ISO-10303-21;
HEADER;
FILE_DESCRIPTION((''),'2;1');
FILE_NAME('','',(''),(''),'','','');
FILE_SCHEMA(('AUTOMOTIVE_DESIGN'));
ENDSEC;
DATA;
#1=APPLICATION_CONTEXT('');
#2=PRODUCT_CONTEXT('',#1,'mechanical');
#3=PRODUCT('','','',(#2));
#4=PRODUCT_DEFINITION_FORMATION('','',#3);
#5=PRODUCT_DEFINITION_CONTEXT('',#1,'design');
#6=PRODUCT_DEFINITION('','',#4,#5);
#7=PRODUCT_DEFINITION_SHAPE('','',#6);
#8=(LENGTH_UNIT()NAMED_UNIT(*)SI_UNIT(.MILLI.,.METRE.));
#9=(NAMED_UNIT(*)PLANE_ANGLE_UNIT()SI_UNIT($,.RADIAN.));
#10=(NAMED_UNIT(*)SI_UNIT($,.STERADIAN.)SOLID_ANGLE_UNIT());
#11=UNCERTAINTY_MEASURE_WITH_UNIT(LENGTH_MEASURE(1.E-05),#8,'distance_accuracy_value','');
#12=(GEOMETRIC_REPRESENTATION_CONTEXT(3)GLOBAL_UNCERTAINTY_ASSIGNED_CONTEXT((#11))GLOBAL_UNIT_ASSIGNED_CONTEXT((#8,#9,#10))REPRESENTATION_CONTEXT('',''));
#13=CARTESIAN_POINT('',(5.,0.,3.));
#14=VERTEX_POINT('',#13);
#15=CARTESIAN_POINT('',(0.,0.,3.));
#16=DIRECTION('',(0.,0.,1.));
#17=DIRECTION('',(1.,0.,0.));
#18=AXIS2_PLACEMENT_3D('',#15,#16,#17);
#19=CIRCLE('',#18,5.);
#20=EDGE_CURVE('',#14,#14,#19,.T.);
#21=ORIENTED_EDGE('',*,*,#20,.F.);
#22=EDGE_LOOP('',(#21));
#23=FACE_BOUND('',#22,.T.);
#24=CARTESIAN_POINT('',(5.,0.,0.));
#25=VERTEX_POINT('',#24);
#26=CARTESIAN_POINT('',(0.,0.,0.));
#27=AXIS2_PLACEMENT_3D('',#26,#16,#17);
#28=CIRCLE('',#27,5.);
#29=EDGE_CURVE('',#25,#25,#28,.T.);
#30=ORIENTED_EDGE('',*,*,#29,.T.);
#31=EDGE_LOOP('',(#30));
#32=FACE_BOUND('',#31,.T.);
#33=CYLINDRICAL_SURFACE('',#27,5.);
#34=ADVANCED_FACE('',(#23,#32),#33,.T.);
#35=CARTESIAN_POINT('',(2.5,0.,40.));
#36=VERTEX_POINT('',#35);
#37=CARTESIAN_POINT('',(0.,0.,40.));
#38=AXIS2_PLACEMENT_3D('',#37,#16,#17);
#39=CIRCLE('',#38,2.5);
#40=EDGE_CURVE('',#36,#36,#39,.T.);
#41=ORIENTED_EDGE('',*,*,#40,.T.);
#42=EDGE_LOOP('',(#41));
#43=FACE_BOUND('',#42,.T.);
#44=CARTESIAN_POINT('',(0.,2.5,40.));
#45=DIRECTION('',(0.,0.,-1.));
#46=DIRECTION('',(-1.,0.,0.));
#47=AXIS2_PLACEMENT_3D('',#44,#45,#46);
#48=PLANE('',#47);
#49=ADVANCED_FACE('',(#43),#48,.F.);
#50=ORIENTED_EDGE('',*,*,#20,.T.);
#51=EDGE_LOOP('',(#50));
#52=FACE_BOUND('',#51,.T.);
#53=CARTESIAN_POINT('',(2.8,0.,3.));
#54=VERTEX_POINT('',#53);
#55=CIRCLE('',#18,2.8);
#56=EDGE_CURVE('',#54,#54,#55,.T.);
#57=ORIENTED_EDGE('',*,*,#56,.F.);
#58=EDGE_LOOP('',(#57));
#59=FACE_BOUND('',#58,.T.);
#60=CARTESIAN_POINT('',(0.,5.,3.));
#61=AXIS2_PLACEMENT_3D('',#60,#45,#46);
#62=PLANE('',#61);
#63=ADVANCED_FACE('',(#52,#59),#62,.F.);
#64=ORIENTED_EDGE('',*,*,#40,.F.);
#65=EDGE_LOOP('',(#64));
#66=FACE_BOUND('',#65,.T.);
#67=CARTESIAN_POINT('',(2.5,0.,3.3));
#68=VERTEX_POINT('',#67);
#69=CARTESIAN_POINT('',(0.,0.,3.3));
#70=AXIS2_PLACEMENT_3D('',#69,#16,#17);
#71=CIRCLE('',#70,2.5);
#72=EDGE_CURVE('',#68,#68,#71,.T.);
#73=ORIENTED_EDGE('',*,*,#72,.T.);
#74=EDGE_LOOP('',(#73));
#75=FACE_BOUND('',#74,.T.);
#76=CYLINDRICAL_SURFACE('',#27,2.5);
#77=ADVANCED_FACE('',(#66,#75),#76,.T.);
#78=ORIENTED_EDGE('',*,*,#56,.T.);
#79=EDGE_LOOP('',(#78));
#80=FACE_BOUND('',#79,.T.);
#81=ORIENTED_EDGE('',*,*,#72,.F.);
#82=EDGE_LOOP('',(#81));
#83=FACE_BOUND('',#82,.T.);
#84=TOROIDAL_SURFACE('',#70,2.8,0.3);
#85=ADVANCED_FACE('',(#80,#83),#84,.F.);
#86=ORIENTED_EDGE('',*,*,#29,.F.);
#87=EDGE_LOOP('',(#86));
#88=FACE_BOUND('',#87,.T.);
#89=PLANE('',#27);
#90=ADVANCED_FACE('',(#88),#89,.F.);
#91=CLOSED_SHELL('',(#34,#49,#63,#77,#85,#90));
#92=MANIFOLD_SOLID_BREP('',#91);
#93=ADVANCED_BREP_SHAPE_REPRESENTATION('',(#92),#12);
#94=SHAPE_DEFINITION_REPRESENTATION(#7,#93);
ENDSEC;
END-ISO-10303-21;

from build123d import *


with BuildPart() as part:
    # Skizze1 → Basis-Rotation (revolve)
    with BuildSketch(Plane(origin=(0, 0, 0), x_dir=(0, 0, -1), z_dir=(1, 0, 0)), mode=Mode.PRIVATE) as basis_rotation_sk:
        with BuildLine():
            Line((0, 0), (0, 5))
            Line((0, 5), (-3, 5))
            Line((-3, 5), (-3, 2.8))
            ThreePointArc((-3, 2.8), (-3.087867966, 2.587867966), (-3.3, 2.5))
            Line((-3.3, 2.5), (-40, 2.5))
            Line((-40, 2.5), (-40, 0))
            Line((-40, 0), (0, 0))
        make_face()
    revolve(basis_rotation_sk.sketch.rotate(Axis((0, 0, 0), (0, 0, -1)), 90), axis=Axis((0, 0, 0), (0, 0, -1)))  # turned: the seam where the file's is


solid = part.part
